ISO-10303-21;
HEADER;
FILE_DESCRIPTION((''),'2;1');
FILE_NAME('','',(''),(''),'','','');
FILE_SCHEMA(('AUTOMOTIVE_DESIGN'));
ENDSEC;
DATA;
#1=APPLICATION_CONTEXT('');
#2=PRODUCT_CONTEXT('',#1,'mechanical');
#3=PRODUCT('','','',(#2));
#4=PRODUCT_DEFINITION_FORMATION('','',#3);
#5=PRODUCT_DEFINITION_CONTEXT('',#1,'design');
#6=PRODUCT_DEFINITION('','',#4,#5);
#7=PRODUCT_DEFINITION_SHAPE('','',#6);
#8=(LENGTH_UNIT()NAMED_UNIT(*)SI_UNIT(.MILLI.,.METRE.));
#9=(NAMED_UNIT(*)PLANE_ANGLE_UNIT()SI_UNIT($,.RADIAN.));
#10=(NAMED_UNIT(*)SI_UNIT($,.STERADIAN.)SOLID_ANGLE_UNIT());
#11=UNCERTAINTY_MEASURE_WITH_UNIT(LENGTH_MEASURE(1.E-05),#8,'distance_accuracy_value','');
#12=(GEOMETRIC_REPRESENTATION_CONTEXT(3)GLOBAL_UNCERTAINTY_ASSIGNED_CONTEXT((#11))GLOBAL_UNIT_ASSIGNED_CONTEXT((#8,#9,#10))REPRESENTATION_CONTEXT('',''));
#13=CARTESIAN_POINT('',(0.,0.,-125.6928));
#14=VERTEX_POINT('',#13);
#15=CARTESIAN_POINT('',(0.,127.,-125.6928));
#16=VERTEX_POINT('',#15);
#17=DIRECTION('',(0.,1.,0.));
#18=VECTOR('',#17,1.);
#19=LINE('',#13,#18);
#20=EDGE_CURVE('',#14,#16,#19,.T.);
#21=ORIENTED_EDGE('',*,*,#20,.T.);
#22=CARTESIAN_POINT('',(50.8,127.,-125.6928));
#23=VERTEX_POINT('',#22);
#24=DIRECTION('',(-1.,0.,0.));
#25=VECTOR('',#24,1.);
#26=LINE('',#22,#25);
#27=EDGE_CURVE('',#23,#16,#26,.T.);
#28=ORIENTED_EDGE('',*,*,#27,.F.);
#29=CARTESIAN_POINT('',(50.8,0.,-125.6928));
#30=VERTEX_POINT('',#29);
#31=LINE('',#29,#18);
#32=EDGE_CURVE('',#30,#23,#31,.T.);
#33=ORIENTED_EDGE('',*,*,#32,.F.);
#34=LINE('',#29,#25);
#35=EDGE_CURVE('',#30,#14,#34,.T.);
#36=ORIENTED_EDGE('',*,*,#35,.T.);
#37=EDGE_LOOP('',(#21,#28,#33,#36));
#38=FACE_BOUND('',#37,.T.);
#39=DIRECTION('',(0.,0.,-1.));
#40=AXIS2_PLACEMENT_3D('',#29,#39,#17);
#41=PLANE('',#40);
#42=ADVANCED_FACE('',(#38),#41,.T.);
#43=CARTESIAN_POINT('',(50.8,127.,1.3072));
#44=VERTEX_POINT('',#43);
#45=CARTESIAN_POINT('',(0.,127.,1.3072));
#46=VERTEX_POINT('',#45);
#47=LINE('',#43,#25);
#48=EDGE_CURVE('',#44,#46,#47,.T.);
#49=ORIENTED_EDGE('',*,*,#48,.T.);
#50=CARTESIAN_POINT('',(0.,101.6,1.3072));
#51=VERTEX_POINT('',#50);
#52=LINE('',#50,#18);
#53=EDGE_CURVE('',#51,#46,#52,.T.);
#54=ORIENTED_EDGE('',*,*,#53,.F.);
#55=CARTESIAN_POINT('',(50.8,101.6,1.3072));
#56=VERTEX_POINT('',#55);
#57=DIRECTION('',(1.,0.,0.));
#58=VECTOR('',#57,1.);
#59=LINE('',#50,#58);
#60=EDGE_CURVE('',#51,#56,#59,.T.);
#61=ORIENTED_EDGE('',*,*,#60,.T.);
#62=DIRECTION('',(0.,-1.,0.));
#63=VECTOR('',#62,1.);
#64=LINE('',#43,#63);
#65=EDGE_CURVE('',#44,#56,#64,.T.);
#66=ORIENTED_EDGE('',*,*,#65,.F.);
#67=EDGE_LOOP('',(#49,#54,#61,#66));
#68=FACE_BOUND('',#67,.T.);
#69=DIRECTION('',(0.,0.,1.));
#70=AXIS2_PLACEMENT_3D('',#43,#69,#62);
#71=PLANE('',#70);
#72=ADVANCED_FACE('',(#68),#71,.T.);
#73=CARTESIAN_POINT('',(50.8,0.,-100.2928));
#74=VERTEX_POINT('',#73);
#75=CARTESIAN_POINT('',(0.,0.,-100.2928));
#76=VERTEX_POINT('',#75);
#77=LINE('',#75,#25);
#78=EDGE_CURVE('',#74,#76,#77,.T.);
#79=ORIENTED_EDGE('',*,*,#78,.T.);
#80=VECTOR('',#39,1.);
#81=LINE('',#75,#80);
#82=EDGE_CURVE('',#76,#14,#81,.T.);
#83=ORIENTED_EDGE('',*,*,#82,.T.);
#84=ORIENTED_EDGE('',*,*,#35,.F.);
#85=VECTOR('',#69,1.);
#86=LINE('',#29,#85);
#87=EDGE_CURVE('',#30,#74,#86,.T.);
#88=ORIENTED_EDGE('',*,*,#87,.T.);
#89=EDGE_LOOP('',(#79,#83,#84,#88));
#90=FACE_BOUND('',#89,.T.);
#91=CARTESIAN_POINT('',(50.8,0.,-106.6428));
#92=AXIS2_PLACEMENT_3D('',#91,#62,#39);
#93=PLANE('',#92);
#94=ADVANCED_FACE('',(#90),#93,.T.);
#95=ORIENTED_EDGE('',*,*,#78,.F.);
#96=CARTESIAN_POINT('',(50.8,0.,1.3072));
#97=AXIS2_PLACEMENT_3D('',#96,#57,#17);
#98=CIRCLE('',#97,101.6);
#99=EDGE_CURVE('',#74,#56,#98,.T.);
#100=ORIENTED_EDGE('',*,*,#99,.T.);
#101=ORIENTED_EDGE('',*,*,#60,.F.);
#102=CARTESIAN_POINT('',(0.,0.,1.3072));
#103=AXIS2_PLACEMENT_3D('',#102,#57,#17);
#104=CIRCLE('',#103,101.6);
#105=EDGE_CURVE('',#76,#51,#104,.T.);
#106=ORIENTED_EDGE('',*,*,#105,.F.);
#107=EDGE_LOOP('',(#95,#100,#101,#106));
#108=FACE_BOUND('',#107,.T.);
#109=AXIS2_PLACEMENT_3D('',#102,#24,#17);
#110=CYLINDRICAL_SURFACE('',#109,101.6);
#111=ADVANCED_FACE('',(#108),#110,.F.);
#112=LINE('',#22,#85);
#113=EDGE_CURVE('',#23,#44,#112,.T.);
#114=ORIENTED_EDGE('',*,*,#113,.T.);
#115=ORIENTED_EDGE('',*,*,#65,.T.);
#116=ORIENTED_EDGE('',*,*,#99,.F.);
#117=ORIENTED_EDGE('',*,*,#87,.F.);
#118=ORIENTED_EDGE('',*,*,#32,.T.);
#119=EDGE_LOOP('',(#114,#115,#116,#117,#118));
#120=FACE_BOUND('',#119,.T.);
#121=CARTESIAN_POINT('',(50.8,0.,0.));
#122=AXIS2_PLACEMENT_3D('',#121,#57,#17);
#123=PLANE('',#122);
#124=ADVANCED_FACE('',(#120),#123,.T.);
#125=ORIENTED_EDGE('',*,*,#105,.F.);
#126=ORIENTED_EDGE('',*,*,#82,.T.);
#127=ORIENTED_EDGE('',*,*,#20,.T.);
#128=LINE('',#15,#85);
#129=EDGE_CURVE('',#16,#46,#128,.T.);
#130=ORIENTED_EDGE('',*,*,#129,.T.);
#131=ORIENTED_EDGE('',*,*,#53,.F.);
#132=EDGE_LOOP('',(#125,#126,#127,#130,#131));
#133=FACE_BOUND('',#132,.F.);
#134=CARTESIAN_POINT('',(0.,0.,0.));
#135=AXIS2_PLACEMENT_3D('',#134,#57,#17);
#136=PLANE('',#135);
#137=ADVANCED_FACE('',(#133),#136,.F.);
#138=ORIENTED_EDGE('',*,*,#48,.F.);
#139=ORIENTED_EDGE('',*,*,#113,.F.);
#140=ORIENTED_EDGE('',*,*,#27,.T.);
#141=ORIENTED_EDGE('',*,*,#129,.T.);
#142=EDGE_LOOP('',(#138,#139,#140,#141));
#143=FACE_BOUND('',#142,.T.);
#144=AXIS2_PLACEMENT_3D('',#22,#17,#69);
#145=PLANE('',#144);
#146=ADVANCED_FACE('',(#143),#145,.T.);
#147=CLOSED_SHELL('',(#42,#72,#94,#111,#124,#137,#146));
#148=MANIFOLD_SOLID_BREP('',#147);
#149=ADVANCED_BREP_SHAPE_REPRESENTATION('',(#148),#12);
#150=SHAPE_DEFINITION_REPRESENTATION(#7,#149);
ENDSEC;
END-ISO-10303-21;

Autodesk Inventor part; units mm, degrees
ref_plane "YZ Plane" through (0, 0, 0) normal (1, 0, 0) x (0, 1, 0)
ref_plane "XZ Plane" through (0, 0, 0) normal (0, 1, 0) x (-1, 0, 0)
ref_plane "XY Plane" through (0, 0, 0) normal (0, 0, 1) x (1, 0, 0)
sketch "Sketch1" plane through (0, 0, 0) normal (1, 0, 0) x (0, 1, 0)
  circle A0 centre (0, 1.3072) radius 101.6
  circle A1 centre (0, 1.3072) radius 107.95
  point P0 (0, 0)
  dimension "d0" = 203.2
  dimension "d1" = 215.9
extrude "Extrusion1" add sketch "Sketch1" along normal blind 50.8
sketch "Sketch2" plane through (50.8, 0, 1.3072) normal (1, 0, 0) x (0, 0, -1)
  circle A0 centre (0, 0) radius 101.6 projected
  circle A1 centre (0, 0) radius 107.95 projected
  line L0 (127, 0) -> (127, 127)
  line L1 (127, 127) -> (0, 127)
  line L2 (0, 127) -> (0, 107.95)
  arc A2 (107.95, 0) -> (0, 107.95) centre (0, 0) ccw
  line L3 (107.95, 0) -> (127, 0)
  dimension "d13" = 127
  dimension "d15" = 127
extrude "Extrusion2" add sketch "Sketch2" against normal blind 50.8 contours A1 L2 L1 L0 L3
sketch "Sketch3" plane through (50.8, 0, 0) normal (1, 0, 0) x (0, 0, -1)
  line L0 (-164.0903, 142.5246) -> (-1.3072, 142.5246)
  line L1 (-20.2178, -157.5435) -> (-164.0903, -157.5435)
  line L2 (-164.0903, -157.5435) -> (-164.0903, 142.5246)
  line L3 (195.7449, 0) -> (-1.3072, 0)
  line L4 (-20.2178, -149.5335) -> (195.7449, -149.5335)
  line L5 (195.7449, -149.5335) -> (195.7449, 0)
  line L6 (106.6428, 0) -> (125.6928, 0) projected
  line L7 (-1.3072, 142.5246) -> (-1.3072, 0)
  line L8 (-20.2178, -149.5335) -> (-20.2178, -157.5435)
  line L9 (-1.3072, 127) -> (-1.3072, 107.95) projected
  point P0 (0, 0)
  dimension "d18" = 0
  dimension "d19" = 0
extrude "Extrusion3" cut sketch "Sketch3" against normal blind 50.8
properties part number "Ramp"
